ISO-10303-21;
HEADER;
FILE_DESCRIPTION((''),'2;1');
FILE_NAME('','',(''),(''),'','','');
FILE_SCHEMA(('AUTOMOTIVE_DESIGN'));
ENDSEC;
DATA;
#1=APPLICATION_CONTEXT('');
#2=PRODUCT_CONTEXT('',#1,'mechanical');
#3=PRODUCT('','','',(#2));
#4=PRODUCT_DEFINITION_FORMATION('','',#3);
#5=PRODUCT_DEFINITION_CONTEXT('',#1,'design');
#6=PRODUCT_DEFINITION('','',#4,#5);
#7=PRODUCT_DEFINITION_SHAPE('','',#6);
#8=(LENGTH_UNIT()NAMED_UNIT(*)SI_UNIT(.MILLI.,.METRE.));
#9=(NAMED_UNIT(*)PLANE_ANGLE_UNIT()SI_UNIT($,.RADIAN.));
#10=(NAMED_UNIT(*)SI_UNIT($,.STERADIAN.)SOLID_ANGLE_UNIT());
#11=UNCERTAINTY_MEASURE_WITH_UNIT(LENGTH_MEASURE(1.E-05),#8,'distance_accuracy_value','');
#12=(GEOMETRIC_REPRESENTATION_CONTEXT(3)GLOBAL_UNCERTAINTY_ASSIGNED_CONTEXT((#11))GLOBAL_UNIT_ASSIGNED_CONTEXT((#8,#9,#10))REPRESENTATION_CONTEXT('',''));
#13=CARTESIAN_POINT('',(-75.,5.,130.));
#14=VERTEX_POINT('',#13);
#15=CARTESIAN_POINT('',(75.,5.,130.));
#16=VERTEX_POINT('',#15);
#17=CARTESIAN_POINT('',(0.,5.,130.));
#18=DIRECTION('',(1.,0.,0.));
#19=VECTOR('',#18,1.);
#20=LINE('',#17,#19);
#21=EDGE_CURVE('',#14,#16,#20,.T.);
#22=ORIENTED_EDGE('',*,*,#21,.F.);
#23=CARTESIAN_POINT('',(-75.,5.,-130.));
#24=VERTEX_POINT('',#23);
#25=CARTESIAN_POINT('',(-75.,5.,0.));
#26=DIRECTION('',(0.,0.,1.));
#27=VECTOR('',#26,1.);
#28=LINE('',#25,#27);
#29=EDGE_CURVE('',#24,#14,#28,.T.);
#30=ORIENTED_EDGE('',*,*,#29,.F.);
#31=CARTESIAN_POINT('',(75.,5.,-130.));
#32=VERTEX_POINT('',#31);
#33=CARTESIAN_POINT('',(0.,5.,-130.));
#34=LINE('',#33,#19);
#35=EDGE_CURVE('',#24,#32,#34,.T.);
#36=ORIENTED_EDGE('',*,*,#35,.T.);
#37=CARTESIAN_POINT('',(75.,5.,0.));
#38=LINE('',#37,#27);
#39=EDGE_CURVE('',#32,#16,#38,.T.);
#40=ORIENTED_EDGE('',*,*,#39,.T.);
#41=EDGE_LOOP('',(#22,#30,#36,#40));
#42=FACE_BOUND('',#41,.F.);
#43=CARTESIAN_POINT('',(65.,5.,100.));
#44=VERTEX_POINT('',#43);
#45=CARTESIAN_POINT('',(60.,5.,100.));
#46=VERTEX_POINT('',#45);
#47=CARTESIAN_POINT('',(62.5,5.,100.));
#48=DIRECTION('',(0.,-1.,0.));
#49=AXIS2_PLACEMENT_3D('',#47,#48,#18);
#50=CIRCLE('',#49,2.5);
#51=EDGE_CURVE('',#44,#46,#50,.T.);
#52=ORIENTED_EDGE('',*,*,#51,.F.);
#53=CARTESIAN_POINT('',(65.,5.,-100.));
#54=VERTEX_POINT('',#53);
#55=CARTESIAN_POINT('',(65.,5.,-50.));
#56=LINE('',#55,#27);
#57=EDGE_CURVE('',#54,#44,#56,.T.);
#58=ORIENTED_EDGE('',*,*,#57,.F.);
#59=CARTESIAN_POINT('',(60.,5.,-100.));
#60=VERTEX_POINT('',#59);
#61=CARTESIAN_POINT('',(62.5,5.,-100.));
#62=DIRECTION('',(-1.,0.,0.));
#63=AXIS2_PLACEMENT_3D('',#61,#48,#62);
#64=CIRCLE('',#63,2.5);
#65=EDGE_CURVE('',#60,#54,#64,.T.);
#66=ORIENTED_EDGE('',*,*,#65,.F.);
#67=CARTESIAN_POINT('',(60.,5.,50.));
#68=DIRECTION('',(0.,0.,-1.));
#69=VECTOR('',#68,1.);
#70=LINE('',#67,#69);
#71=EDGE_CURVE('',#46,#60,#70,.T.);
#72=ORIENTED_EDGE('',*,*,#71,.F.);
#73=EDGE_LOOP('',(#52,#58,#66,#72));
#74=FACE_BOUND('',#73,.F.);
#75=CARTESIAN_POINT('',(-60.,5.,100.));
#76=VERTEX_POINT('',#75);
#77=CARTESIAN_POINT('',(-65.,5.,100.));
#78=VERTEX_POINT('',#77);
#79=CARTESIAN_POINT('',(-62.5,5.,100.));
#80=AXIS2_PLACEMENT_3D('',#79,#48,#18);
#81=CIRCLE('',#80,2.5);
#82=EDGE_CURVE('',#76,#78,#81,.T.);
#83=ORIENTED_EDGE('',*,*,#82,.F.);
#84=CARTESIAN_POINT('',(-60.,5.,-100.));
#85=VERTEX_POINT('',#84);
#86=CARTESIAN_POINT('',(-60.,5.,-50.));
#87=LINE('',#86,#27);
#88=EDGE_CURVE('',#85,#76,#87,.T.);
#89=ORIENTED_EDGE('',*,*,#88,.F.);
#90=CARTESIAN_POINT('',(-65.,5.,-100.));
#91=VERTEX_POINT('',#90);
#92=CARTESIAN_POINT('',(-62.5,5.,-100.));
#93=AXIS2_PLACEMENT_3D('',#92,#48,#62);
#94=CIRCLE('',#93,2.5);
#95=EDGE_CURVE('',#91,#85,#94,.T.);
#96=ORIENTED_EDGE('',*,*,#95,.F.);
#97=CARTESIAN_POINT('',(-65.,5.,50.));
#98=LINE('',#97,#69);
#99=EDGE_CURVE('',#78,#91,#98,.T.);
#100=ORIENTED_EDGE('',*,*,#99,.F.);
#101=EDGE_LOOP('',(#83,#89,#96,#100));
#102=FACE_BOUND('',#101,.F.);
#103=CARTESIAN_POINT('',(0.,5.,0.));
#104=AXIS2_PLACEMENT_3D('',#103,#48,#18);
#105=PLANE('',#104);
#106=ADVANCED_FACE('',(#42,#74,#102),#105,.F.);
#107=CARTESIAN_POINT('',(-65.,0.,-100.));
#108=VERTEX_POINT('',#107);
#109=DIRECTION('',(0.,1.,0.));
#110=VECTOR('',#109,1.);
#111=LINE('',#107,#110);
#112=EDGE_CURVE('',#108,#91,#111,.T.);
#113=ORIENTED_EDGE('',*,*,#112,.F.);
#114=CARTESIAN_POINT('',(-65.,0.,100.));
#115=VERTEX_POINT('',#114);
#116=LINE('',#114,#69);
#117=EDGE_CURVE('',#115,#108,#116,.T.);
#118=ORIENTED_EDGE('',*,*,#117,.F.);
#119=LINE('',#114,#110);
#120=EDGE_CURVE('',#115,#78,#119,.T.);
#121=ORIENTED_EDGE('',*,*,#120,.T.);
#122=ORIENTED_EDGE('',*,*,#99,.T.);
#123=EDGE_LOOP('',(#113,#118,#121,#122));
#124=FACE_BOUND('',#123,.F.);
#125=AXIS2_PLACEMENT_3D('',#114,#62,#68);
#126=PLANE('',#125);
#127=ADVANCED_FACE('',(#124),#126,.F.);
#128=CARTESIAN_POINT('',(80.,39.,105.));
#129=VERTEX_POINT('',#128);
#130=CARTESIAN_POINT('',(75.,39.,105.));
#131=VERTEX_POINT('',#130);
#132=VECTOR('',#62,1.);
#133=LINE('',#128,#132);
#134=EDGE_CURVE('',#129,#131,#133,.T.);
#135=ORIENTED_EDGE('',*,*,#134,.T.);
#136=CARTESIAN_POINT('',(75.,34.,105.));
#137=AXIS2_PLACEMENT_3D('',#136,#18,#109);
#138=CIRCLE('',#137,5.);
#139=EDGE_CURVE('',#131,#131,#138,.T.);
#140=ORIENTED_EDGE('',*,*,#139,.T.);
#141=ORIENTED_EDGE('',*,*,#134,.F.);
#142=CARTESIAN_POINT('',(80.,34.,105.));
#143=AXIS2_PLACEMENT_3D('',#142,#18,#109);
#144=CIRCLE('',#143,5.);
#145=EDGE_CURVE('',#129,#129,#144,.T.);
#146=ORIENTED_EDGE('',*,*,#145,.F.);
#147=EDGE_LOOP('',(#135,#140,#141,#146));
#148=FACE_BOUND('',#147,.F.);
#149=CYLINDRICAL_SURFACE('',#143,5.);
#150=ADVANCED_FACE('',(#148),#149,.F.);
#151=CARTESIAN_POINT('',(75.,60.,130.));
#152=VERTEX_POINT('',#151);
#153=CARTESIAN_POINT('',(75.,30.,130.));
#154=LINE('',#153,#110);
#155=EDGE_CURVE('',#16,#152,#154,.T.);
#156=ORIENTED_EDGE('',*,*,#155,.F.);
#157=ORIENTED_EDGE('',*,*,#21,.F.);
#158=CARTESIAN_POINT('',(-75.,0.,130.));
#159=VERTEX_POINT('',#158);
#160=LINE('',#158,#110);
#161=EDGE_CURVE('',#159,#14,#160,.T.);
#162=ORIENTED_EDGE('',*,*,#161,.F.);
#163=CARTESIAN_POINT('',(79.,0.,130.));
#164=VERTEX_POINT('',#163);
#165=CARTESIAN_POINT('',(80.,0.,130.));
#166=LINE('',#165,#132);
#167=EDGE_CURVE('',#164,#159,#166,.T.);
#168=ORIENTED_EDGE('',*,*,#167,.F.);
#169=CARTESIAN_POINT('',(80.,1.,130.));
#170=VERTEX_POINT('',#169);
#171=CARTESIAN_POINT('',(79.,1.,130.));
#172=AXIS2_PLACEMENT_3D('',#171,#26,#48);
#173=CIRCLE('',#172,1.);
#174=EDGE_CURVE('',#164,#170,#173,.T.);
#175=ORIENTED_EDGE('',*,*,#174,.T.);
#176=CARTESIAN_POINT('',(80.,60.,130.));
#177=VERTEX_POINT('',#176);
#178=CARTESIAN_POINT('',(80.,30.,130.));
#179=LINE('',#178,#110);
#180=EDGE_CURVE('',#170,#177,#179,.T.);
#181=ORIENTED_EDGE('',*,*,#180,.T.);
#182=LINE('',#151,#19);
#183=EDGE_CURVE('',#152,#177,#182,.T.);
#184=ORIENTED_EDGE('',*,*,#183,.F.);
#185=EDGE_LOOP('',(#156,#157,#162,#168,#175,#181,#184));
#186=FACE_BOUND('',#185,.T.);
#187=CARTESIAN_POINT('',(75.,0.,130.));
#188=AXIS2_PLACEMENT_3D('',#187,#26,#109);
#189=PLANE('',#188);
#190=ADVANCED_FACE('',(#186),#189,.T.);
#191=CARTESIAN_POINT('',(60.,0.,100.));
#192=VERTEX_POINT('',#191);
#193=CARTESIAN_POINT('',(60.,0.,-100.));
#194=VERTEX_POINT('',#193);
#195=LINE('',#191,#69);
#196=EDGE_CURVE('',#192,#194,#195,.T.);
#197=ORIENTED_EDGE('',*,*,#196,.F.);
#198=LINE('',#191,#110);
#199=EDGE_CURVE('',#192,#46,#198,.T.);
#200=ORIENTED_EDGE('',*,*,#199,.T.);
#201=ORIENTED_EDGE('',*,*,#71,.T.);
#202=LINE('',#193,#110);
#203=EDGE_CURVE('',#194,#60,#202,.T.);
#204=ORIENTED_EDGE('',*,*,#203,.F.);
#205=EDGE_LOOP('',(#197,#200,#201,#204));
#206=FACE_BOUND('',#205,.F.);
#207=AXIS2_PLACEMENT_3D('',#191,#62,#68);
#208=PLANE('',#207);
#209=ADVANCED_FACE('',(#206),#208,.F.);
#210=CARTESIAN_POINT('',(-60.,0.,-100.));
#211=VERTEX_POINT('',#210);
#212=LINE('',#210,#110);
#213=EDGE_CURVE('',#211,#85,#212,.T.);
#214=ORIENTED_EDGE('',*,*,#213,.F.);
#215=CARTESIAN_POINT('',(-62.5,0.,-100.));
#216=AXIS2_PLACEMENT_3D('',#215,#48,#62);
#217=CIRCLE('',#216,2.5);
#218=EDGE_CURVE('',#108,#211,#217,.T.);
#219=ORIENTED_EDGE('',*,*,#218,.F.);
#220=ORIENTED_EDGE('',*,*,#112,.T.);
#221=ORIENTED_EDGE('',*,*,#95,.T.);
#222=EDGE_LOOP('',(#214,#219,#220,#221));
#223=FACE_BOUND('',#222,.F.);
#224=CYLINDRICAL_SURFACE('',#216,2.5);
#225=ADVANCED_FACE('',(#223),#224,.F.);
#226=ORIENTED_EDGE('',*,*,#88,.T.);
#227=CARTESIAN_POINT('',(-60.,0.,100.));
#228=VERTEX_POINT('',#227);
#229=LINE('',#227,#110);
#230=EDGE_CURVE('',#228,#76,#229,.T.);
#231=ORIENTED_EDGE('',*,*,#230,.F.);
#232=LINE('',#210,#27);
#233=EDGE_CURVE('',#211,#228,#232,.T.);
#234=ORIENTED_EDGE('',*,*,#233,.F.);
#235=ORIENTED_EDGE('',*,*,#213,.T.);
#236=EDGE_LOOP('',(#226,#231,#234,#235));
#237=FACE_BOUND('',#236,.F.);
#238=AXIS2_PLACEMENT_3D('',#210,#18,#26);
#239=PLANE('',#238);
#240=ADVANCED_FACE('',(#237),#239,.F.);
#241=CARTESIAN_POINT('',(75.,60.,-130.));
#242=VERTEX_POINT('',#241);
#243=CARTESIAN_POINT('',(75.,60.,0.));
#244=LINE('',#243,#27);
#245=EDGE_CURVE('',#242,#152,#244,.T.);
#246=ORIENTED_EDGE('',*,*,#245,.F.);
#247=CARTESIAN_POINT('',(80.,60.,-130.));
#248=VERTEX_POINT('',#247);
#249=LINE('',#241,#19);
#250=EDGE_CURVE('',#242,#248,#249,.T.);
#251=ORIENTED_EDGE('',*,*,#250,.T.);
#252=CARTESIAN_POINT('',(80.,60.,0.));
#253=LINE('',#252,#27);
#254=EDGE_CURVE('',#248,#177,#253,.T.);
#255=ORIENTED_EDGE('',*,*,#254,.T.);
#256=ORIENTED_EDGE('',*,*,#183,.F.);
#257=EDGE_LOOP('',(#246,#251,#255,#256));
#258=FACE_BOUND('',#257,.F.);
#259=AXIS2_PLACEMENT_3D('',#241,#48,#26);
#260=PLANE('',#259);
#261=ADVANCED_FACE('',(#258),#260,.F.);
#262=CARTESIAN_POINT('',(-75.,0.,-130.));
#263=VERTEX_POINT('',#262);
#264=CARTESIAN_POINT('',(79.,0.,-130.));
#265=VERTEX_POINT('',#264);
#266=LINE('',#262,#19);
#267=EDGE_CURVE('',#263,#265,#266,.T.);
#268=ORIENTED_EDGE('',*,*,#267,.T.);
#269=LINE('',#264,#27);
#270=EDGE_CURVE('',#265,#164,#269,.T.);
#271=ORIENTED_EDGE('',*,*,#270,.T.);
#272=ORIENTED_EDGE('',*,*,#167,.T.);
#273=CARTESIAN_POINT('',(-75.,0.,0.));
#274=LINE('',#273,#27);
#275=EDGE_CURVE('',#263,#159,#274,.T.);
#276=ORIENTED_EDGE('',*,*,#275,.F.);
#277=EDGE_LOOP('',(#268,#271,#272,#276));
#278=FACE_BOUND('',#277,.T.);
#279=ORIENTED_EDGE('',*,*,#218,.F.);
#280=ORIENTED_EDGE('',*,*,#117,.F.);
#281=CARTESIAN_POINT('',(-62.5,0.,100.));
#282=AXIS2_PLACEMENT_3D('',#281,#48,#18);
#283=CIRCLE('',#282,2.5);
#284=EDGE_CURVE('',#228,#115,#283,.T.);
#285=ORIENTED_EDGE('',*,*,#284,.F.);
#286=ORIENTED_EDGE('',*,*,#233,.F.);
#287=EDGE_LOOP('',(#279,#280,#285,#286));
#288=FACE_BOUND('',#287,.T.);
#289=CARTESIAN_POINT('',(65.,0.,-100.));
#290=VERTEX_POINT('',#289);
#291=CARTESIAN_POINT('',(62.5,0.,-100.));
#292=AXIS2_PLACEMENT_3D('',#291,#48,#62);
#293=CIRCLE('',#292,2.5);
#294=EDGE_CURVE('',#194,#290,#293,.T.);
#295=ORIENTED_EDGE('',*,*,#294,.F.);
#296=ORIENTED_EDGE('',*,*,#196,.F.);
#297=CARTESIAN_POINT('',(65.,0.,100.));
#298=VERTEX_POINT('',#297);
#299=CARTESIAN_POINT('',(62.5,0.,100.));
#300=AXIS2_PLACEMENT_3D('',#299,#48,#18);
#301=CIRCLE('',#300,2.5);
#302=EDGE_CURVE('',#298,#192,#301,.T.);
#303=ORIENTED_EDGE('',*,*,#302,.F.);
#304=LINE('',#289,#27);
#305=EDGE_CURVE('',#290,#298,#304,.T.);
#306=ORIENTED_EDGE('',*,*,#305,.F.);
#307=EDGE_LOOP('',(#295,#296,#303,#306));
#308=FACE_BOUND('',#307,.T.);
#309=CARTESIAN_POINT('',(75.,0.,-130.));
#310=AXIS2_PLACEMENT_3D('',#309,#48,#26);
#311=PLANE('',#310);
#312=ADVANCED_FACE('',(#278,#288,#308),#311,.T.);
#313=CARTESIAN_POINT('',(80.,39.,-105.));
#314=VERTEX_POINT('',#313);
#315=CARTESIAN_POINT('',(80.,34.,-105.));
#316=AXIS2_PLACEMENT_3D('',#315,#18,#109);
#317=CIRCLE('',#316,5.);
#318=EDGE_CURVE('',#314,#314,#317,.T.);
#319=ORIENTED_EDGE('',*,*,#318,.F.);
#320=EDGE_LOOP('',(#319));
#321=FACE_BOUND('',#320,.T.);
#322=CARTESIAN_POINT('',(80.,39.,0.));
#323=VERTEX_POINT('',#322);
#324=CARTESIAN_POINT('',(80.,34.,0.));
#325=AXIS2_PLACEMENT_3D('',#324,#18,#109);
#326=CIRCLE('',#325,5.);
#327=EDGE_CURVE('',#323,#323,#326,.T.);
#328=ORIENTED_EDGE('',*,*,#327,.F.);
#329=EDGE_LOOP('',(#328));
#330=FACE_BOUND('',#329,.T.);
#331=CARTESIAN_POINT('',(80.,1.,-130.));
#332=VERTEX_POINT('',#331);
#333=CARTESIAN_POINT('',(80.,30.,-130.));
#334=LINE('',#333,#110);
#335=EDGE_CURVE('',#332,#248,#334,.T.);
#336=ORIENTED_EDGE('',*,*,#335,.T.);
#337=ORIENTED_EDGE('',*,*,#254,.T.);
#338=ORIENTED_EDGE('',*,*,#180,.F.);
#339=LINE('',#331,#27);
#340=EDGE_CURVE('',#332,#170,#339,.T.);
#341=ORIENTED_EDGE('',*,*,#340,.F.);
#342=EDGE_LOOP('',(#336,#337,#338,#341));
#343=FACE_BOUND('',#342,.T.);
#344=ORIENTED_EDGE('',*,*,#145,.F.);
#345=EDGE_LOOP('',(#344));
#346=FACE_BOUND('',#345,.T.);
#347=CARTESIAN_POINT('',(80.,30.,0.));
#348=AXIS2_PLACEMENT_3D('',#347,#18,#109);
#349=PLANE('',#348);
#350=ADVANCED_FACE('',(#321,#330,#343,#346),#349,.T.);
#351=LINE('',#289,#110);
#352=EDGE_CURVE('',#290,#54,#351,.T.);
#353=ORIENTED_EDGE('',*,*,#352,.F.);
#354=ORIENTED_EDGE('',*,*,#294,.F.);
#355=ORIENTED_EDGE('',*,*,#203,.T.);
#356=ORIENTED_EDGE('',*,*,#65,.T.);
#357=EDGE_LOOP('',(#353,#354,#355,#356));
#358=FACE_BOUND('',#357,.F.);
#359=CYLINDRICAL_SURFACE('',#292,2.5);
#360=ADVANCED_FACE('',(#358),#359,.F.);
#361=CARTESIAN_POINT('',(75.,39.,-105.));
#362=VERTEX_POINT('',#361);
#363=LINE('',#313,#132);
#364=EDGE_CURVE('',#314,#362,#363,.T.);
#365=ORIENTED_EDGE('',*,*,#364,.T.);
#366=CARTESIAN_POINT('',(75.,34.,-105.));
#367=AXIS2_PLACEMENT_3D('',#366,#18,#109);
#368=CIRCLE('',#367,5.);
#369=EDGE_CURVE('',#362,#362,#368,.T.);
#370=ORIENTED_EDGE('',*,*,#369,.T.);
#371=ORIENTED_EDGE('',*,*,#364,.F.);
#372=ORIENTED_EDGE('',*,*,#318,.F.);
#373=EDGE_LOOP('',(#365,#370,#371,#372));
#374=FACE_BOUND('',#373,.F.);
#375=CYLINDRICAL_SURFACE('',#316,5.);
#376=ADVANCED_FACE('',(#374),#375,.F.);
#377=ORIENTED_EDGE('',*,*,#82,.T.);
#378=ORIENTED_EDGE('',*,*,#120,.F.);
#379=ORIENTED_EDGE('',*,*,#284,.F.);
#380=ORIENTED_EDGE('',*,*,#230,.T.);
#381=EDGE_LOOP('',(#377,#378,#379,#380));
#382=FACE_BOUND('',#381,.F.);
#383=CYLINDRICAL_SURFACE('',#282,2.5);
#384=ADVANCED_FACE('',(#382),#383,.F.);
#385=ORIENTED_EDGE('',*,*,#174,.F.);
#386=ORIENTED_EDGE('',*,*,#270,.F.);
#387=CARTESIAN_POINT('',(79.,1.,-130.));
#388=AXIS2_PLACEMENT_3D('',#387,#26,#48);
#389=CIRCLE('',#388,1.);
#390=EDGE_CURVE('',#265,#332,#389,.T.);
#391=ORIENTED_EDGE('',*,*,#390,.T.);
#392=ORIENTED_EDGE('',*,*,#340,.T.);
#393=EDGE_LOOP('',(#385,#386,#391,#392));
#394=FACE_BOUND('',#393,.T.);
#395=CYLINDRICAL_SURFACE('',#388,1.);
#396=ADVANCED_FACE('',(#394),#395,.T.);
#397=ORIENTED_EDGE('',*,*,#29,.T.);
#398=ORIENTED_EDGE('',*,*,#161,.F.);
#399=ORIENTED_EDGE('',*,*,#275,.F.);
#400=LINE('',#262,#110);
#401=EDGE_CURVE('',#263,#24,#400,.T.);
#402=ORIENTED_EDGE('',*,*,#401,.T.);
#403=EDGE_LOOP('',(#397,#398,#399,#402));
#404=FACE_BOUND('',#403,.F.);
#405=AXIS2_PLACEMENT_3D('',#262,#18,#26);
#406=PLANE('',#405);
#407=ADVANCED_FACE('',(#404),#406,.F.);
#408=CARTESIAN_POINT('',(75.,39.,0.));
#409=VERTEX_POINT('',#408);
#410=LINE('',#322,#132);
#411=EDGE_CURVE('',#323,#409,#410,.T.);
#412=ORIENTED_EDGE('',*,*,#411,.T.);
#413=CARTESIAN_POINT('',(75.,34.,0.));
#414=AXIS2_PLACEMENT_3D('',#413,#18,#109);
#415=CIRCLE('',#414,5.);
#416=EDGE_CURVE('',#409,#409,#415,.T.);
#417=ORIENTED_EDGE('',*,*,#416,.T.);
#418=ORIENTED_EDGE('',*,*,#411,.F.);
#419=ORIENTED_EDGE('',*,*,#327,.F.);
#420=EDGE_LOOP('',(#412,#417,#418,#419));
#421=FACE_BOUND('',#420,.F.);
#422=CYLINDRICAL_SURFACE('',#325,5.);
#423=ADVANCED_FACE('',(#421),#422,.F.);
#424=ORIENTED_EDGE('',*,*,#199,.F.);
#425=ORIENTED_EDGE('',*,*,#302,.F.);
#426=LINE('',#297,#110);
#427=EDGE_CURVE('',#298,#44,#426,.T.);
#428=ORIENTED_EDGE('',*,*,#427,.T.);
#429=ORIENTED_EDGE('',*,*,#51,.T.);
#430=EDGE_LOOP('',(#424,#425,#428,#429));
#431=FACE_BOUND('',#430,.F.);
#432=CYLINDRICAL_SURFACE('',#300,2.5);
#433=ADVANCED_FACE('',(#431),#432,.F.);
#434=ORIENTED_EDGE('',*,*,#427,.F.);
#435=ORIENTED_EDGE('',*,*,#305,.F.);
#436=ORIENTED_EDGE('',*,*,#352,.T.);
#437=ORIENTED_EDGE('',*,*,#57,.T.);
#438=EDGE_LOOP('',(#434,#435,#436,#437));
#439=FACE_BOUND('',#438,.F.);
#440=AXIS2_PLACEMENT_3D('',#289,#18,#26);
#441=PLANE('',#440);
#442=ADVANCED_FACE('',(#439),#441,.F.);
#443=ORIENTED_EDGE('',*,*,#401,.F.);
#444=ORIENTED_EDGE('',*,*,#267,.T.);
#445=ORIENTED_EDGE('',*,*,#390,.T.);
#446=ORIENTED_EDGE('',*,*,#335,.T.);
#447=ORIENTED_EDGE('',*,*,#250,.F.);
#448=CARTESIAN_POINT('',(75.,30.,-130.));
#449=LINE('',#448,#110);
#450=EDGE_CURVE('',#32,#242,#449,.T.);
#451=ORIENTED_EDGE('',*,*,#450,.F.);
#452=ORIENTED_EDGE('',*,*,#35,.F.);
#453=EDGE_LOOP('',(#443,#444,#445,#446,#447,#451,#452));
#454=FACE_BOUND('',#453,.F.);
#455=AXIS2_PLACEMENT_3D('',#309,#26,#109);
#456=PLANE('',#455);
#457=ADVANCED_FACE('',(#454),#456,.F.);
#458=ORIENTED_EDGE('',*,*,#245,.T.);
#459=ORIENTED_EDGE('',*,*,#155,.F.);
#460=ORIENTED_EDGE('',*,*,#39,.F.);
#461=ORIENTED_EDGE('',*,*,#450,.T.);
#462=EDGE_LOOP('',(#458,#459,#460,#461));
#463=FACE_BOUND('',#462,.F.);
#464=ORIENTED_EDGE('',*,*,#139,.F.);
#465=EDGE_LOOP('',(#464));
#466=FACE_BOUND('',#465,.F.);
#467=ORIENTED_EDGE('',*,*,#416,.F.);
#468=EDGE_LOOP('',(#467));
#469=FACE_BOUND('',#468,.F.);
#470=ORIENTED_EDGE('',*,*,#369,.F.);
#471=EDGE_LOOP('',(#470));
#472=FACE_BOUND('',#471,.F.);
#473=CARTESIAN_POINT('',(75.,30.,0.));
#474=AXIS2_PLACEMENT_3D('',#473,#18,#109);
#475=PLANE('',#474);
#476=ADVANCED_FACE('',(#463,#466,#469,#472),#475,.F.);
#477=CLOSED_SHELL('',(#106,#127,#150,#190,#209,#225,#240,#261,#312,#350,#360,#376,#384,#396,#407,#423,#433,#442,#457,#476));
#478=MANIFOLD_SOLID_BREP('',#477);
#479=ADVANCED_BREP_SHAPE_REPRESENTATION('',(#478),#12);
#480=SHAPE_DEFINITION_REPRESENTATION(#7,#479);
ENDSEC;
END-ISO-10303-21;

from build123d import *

# Parameters (mm, degrees)
F0_W      = 150
F0_H      = 260
F1_DEPTH  = 5
F3_DEPTH  = 6
F5_DEPTH  = 6
F6_DEPTH  = 6
F7_DEPTH  = 6
F8_DEPTH  = 6
F9_W      = 60
F9_H      = 260
F10_DEPTH = 5
F11_R     = 5
F12_DEPTH = 6
F13_R     = 1


with BuildPart() as f1:
    # F0 (on Front) → F1 (new body)
    with BuildSketch(Plane.XZ):
        Rectangle(F0_W, F0_H)
    extrude(amount=-F1_DEPTH)

    # F2 (on face) → F3 (cut)
    with BuildSketch(Plane.XZ):
        with BuildLine():
            ThreePointArc((-60, 100), (-62.5, 102.5), (-65, 100))
            Line((-65, 100), (-60, 100))
        make_face()
        with BuildLine():
            ThreePointArc((-60, 100), (-62.5, 97.5), (-65, 100))
            Line((-65, 100), (-65, -100))
            ThreePointArc((-65, -100), (-62.5, -97.5), (-60, -100))
            Line((-60, -100), (-60, 100))
        make_face()
        with BuildLine():
            Line((-60, 100), (-65, 100))
            ThreePointArc((-65, 100), (-62.5, 97.5), (-60, 100))
        make_face()
        with BuildLine():
            ThreePointArc((-60, -100), (-62.5, -97.5), (-65, -100))
            Line((-65, -100), (-60, -100))
        make_face()
        with BuildLine():
            Line((-60, -100), (-65, -100))
            ThreePointArc((-65, -100), (-62.5, -102.5), (-60, -100))
        make_face()
    extrude(amount=-F3_DEPTH, mode=Mode.SUBTRACT)

    # F4 (on face) → F5 (cut)
    with BuildSketch(Plane.XZ):
        with BuildLine():
            ThreePointArc((65, 100), (62.5, 102.5), (60, 100))
            Line((60, 100), (65, 100))
        make_face()
        with BuildLine():
            ThreePointArc((65, 100), (62.5, 97.5), (60, 100))
            Line((60, 100), (60, -100))
            ThreePointArc((60, -100), (62.5, -97.5), (65, -100))
            Line((65, -100), (65, 100))
        make_face()
        with BuildLine():
            Line((65, 100), (60, 100))
            ThreePointArc((60, 100), (62.5, 97.5), (65, 100))
        make_face()
        with BuildLine():
            ThreePointArc((65, -100), (62.5, -97.5), (60, -100))
            Line((60, -100), (65, -100))
        make_face()
        with BuildLine():
            Line((65, -100), (60, -100))
            ThreePointArc((60, -100), (62.5, -102.5), (65, -100))
        make_face()
    extrude(amount=-F5_DEPTH, mode=Mode.SUBTRACT)

    # F4 (on face) → F6 (cut)
    with BuildSketch(Plane.XZ):
        with BuildLine():
            ThreePointArc((65, 100), (62.5, 102.5), (60, 100))
            Line((60, 100), (65, 100))
        make_face()
        with BuildLine():
            ThreePointArc((65, 100), (62.5, 97.5), (60, 100))
            Line((60, 100), (60, -100))
            ThreePointArc((60, -100), (62.5, -97.5), (65, -100))
            Line((65, -100), (65, 100))
        make_face()
        with BuildLine():
            Line((65, 100), (60, 100))
            ThreePointArc((60, 100), (62.5, 97.5), (65, 100))
        make_face()
        with BuildLine():
            ThreePointArc((65, -100), (62.5, -97.5), (60, -100))
            Line((60, -100), (65, -100))
        make_face()
        with BuildLine():
            Line((65, -100), (60, -100))
            ThreePointArc((60, -100), (62.5, -102.5), (65, -100))
        make_face()
    extrude(amount=-F6_DEPTH, mode=Mode.SUBTRACT)

    # F2 (on face) → F7 (cut)
    with BuildSketch(Plane.XZ):
        with BuildLine():
            ThreePointArc((-60, 100), (-62.5, 102.5), (-65, 100))
            Line((-65, 100), (-60, 100))
        make_face()
        with BuildLine():
            ThreePointArc((-60, 100), (-62.5, 97.5), (-65, 100))
            Line((-65, 100), (-65, -100))
            ThreePointArc((-65, -100), (-62.5, -97.5), (-60, -100))
            Line((-60, -100), (-60, 100))
        make_face()
        with BuildLine():
            Line((-60, 100), (-65, 100))
            ThreePointArc((-65, 100), (-62.5, 97.5), (-60, 100))
        make_face()
        with BuildLine():
            ThreePointArc((-60, -100), (-62.5, -97.5), (-65, -100))
            Line((-65, -100), (-60, -100))
        make_face()
        with BuildLine():
            Line((-60, -100), (-65, -100))
            ThreePointArc((-65, -100), (-62.5, -102.5), (-60, -100))
        make_face()
    extrude(amount=-F7_DEPTH, mode=Mode.SUBTRACT)

    # F4 (on face) → F8 (cut)
    with BuildSketch(Plane.XZ):
        with BuildLine():
            ThreePointArc((65, 100), (62.5, 102.5), (60, 100))
            Line((60, 100), (65, 100))
        make_face()
        with BuildLine():
            ThreePointArc((65, 100), (62.5, 97.5), (60, 100))
            Line((60, 100), (60, -100))
            ThreePointArc((60, -100), (62.5, -97.5), (65, -100))
            Line((65, -100), (65, 100))
        make_face()
        with BuildLine():
            Line((65, 100), (60, 100))
            ThreePointArc((60, 100), (62.5, 97.5), (65, 100))
        make_face()
        with BuildLine():
            ThreePointArc((65, -100), (62.5, -97.5), (60, -100))
            Line((60, -100), (65, -100))
        make_face()
        with BuildLine():
            Line((65, -100), (60, -100))
            ThreePointArc((60, -100), (62.5, -102.5), (65, -100))
        make_face()
    extrude(amount=-F8_DEPTH, mode=Mode.SUBTRACT)

    # F9 (on face) → F10 (join)
    with BuildSketch(Plane.YZ.offset(75)):
        with Locations((30, 0)):
            Rectangle(F9_W, F9_H)
    extrude(amount=F10_DEPTH)

    # F11 (on face) → F12 (cut)
    with BuildSketch(Plane.YZ.offset(80)):
        with Locations((34, 0)):
            Circle(F11_R)
        with Locations((34, 105)):
            Circle(F11_R)
        with Locations((34, -105)):
            Circle(F11_R)
    extrude(amount=-F12_DEPTH, mode=Mode.SUBTRACT)

    # F13
    f13_edges = [f1.edges().sort_by_distance(p)[0] for p in [
        (80, 0, 0),
    ]]
    fillet(f13_edges, radius=F13_R)


solid = f1.part
